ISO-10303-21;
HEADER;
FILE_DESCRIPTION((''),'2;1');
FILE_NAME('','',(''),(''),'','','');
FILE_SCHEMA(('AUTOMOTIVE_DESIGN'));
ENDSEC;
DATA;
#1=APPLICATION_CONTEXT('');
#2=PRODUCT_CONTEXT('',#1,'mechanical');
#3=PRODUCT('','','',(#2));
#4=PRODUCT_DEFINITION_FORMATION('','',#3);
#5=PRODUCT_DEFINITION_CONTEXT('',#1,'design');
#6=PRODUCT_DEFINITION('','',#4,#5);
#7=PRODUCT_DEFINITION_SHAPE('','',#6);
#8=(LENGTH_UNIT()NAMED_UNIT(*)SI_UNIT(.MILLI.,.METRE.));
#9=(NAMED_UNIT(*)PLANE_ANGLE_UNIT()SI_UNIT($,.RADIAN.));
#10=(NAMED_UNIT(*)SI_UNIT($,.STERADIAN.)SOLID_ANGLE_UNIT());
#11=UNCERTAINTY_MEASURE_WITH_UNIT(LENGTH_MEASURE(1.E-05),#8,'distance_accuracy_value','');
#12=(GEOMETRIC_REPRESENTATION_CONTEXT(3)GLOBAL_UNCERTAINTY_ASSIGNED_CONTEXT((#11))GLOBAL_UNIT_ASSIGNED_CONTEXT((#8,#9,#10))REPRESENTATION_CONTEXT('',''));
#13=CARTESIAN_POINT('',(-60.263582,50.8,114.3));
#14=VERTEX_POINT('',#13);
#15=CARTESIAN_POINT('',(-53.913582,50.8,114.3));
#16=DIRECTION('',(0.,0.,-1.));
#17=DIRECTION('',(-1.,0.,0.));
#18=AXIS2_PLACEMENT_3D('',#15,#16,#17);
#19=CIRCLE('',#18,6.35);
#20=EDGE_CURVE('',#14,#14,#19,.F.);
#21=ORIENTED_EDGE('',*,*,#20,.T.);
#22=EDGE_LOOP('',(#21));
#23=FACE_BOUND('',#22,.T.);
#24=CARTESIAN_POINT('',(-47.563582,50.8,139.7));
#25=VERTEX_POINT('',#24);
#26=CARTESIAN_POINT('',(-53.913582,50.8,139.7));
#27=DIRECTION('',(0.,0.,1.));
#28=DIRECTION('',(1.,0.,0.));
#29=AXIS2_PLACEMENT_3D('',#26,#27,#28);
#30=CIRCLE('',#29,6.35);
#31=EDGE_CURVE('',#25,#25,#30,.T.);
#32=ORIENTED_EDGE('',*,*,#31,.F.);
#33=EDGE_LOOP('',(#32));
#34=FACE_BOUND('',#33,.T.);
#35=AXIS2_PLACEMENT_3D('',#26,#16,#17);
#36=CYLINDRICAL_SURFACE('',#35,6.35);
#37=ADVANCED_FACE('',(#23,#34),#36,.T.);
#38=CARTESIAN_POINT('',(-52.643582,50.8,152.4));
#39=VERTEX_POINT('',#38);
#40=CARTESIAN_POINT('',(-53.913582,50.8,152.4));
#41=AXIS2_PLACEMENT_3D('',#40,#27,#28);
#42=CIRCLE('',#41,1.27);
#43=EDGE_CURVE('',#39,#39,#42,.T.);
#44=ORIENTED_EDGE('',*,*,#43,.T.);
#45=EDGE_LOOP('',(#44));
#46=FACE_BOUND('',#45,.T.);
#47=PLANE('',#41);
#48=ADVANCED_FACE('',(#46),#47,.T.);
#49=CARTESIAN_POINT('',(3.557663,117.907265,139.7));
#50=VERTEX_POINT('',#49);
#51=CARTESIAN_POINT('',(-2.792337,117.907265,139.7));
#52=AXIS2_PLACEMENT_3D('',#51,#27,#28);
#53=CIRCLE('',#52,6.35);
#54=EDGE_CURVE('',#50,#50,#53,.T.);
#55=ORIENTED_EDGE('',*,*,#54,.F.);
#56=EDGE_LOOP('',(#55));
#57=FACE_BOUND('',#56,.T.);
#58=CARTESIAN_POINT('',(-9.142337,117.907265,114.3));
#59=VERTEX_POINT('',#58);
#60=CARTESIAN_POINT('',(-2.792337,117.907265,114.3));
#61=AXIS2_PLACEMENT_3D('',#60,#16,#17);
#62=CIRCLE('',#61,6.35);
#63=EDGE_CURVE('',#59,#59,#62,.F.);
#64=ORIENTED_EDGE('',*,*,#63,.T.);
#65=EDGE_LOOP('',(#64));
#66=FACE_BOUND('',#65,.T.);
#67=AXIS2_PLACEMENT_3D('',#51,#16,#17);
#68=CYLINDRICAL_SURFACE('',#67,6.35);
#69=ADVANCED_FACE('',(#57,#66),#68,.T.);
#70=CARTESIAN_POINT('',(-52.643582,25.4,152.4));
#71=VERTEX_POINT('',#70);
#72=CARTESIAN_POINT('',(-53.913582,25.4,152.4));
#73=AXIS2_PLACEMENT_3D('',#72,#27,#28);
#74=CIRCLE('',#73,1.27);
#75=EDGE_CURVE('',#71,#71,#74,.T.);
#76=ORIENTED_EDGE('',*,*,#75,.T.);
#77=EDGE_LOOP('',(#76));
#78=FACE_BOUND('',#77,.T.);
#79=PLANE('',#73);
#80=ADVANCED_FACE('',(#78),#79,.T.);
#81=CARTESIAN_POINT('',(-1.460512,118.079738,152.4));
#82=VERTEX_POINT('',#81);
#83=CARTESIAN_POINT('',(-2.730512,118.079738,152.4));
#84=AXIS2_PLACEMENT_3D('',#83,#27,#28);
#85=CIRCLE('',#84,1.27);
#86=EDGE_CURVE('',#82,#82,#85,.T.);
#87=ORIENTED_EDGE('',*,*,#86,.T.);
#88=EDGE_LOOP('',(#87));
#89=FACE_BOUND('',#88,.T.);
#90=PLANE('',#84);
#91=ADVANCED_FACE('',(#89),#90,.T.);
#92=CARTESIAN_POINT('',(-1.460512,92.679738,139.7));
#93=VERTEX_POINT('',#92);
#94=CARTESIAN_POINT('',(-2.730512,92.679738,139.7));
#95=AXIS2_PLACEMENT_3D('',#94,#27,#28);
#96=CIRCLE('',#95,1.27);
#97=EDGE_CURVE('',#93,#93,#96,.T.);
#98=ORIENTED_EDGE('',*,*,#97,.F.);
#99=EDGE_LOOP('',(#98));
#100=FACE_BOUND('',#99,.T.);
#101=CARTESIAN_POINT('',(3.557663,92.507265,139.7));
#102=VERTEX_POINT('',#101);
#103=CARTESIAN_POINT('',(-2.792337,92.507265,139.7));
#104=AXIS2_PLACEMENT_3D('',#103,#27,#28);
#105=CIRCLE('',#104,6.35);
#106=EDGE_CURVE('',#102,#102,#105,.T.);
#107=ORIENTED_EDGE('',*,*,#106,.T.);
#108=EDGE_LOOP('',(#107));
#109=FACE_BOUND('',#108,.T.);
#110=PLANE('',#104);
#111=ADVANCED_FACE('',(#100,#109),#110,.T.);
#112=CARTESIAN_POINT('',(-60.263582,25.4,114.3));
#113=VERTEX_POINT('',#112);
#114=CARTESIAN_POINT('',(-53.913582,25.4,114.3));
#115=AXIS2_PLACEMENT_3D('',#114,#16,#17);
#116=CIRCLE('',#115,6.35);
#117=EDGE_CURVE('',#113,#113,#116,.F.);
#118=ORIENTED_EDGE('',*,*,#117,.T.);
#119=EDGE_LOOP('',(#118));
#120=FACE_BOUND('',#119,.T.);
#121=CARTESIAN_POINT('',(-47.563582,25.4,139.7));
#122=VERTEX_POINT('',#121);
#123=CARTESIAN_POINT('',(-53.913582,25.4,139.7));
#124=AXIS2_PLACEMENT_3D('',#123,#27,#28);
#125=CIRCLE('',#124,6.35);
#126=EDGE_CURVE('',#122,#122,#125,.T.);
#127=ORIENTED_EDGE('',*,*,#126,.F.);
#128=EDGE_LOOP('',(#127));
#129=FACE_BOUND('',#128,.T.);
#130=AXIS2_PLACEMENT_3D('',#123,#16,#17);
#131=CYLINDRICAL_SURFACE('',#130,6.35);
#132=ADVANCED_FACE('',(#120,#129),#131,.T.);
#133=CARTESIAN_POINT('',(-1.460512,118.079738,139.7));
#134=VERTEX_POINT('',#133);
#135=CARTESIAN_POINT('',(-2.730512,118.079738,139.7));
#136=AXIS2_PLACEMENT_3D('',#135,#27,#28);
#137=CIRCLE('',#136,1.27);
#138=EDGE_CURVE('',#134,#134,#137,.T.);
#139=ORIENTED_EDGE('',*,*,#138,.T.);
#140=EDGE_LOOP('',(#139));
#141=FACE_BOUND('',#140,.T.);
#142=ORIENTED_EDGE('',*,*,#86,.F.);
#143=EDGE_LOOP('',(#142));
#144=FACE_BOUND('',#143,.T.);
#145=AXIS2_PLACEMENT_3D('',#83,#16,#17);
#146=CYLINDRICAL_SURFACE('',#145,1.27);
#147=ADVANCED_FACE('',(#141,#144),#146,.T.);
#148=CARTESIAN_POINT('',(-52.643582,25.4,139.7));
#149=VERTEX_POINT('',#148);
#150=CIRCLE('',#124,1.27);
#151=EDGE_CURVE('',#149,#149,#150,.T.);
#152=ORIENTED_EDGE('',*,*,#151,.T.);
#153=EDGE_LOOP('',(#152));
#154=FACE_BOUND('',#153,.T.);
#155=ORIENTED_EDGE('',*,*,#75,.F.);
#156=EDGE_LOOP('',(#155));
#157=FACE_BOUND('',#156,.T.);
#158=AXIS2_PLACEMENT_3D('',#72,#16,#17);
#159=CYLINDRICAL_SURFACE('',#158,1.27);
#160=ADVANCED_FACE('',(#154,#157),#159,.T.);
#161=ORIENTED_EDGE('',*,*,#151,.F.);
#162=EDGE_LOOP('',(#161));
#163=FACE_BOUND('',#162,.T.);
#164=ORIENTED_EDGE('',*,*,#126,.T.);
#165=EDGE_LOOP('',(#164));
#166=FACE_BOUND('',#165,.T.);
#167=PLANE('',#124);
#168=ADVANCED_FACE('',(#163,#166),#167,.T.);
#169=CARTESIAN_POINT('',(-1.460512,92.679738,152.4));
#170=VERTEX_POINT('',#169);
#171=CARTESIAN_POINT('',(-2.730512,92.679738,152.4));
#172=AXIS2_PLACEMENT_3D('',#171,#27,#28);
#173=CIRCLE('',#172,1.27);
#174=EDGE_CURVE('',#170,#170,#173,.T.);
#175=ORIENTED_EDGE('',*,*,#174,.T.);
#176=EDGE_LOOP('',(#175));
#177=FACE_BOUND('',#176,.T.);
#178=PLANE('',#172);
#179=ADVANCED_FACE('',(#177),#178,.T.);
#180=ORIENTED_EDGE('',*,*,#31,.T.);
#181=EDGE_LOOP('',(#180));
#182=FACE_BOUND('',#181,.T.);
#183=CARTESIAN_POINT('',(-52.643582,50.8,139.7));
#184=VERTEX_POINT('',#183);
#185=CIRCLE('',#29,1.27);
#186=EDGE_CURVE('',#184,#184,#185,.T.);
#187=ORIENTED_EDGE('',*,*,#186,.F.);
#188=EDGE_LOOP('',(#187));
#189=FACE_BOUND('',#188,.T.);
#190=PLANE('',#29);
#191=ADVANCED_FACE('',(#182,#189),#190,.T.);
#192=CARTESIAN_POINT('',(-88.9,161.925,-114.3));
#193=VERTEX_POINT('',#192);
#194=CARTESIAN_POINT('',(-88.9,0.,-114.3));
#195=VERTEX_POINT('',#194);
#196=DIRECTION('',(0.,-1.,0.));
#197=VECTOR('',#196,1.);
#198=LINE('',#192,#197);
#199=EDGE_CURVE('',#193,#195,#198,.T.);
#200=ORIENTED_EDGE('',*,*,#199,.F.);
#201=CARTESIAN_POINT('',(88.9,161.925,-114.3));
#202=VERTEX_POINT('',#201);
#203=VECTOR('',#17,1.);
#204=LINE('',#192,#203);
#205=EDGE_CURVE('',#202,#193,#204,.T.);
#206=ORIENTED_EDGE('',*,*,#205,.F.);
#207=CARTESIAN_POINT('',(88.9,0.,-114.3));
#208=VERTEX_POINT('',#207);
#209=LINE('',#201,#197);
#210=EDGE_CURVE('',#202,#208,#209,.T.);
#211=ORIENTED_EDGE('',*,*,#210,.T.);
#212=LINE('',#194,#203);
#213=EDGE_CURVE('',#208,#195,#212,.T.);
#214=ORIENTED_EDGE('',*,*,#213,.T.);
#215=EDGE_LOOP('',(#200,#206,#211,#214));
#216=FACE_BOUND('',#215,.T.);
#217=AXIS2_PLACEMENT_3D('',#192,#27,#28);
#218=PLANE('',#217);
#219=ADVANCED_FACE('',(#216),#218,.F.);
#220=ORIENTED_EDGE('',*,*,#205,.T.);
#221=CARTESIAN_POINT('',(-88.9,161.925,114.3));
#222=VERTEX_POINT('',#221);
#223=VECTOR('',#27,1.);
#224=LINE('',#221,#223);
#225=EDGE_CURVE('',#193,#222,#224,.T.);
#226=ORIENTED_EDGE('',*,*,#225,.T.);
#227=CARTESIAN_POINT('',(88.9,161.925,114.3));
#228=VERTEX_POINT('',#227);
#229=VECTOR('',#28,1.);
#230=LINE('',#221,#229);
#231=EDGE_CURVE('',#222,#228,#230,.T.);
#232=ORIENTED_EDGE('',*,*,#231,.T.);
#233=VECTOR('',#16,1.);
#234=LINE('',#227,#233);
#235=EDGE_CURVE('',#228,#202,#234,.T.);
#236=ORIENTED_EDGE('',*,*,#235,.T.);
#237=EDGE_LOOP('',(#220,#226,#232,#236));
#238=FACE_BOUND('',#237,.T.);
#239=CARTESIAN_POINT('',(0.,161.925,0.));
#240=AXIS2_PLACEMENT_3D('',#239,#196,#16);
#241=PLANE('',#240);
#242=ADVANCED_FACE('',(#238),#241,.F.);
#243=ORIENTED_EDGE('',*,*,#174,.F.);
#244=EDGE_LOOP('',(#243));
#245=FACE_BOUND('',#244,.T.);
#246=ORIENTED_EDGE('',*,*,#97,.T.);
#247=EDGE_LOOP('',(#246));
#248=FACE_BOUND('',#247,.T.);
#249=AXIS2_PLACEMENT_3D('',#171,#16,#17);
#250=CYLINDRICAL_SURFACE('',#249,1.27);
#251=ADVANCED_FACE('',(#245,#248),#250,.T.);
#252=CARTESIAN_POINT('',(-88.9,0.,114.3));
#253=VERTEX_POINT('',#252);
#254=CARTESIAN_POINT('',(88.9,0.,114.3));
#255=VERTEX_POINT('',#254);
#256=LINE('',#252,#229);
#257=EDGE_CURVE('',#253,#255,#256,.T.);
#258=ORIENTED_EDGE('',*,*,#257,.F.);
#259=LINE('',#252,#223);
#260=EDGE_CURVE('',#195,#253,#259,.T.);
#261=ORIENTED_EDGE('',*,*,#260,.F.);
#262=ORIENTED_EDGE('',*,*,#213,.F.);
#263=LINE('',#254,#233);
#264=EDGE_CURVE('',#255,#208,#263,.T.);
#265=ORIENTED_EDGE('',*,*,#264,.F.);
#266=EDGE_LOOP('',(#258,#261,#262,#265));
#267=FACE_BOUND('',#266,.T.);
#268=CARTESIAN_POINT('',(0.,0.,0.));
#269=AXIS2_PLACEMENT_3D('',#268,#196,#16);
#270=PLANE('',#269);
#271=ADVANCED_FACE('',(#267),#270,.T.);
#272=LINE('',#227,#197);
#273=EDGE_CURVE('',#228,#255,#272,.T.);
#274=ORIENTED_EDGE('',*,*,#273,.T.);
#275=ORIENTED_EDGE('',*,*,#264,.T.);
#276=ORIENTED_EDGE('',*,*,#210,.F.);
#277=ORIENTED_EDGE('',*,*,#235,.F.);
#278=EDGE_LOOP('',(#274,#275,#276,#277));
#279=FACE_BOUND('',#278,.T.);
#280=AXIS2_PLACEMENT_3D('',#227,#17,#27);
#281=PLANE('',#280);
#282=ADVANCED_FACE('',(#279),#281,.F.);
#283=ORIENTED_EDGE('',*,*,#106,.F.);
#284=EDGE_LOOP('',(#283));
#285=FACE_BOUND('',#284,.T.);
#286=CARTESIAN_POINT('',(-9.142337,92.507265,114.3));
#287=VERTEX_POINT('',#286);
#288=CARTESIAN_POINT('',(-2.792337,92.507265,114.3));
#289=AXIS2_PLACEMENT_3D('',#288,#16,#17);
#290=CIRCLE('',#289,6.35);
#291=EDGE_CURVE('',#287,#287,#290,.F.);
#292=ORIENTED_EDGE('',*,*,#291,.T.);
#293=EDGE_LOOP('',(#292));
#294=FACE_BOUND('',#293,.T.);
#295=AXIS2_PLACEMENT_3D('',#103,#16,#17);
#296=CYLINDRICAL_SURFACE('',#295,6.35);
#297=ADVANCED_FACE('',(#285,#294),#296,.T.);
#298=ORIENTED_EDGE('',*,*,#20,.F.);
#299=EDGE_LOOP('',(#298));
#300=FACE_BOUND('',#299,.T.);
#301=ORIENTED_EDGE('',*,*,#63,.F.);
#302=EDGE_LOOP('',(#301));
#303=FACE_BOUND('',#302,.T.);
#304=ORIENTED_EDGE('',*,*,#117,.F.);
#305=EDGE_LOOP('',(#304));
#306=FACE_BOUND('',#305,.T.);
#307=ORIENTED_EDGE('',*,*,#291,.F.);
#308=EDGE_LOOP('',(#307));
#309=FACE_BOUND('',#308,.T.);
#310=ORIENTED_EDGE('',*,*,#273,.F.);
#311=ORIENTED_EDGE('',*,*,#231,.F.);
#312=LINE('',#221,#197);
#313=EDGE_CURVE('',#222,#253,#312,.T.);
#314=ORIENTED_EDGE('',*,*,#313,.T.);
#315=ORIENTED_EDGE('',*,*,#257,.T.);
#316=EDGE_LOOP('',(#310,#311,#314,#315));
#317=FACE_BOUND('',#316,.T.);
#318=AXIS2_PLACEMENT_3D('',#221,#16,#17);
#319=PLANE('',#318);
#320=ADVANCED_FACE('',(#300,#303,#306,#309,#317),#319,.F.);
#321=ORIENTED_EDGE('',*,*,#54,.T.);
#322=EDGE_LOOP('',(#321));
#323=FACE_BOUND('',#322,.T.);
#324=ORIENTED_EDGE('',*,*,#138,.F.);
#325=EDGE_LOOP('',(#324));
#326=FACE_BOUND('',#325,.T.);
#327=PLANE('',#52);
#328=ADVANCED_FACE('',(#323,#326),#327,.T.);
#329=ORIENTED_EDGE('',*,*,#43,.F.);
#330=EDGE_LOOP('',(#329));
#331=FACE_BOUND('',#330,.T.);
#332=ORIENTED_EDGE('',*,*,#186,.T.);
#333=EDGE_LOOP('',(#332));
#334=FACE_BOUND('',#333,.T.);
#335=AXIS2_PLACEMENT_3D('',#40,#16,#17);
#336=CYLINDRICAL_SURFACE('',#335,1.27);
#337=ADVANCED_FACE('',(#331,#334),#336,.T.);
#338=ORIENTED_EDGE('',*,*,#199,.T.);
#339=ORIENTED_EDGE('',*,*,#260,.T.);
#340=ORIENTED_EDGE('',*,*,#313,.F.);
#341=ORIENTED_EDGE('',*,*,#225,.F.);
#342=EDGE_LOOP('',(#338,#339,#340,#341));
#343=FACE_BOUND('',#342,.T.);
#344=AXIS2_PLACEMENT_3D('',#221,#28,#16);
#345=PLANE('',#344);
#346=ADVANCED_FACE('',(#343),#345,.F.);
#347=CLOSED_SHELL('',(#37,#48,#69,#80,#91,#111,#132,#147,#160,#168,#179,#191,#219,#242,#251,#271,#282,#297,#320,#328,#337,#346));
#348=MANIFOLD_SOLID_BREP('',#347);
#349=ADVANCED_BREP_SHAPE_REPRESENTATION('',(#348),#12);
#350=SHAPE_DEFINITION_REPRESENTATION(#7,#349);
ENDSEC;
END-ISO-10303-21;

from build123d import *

# Parameters (mm, degrees)
SKETCH1_W           = 177.8
SKETCH1_H           = 228.6
BOSS_EXTRUDE1_DEPTH = 161.925
SKETCH2_R           = 6.35
BOSS_EXTRUDE2_DEPTH = 25.4
SKETCH4_R           = 6.35
BOSS_EXTRUDE4_DEPTH = 25.4
LPATTERN1_COUNT     = 2
LPATTERN1_PITCH     = 25.4
LPATTERN2_COUNT     = 2
LPATTERN2_PITCH     = 25.4
SKETCH5_R           = 1.27
BOSS_EXTRUDE5_DEPTH = 12.7
LPATTERN3_COUNT     = 2
LPATTERN3_PITCH     = 25.4
SKETCH6_R           = 1.27
BOSS_EXTRUDE6_DEPTH = 12.7
LPATTERN4_COUNT     = 2
LPATTERN4_PITCH     = 25.4


with BuildPart() as part:
    # Sketch1 → Boss-Extrude1 (new body)
    with BuildSketch(Plane(origin=(0, 0, 0), x_dir=(1, 0, 0), z_dir=(0, 1, 0))):
        Rectangle(SKETCH1_W, SKETCH1_H)
    extrude(amount=BOSS_EXTRUDE1_DEPTH)

    # Sketch2 → Boss-Extrude2 (add)
    with BuildSketch(Plane.XY.offset(114.3)):
        with Locations((-2.792336917, 117.907265363)):
            Circle(SKETCH2_R)
    boss_extrude2 = extrude(amount=BOSS_EXTRUDE2_DEPTH)

    # Sketch4 → Boss-Extrude4 (add)
    with BuildSketch(Plane.XY.offset(114.3)):
        with Locations((-53.913582013, 25.4)):
            Circle(SKETCH4_R)
    boss_extrude4 = extrude(amount=BOSS_EXTRUDE4_DEPTH)

    # LPattern1: Boss-Extrude2 ×2
    with Locations(*[(0, -i * LPATTERN1_PITCH, 0) for i in range(1, LPATTERN1_COUNT)]):
        add(boss_extrude2)

    # LPattern2: Boss-Extrude4 ×2
    with Locations(*[(0, i * LPATTERN2_PITCH, 0) for i in range(1, LPATTERN2_COUNT)]):
        add(boss_extrude4)

    # Sketch5 → Boss-Extrude5 (add)
    with BuildSketch(Plane.XY.offset(139.7)):
        with Locations((-2.730512125, 118.079738131)):
            Circle(SKETCH5_R)
    boss_extrude5 = extrude(amount=BOSS_EXTRUDE5_DEPTH)

    # LPattern3: Boss-Extrude5 ×2
    with Locations(*[(0, -i * LPATTERN3_PITCH, 0) for i in range(1, LPATTERN3_COUNT)]):
        add(boss_extrude5)

    # Sketch6 → Boss-Extrude6 (add)
    with BuildSketch(Plane.XY.offset(139.7)):
        with Locations((-53.913582013, 50.8)):
            Circle(SKETCH6_R)
    boss_extrude6 = extrude(amount=BOSS_EXTRUDE6_DEPTH)

    # LPattern4: Boss-Extrude6 ×2
    with Locations(*[(0, -i * LPATTERN4_PITCH, 0) for i in range(1, LPATTERN4_COUNT)]):
        add(boss_extrude6)


solid = part.part
